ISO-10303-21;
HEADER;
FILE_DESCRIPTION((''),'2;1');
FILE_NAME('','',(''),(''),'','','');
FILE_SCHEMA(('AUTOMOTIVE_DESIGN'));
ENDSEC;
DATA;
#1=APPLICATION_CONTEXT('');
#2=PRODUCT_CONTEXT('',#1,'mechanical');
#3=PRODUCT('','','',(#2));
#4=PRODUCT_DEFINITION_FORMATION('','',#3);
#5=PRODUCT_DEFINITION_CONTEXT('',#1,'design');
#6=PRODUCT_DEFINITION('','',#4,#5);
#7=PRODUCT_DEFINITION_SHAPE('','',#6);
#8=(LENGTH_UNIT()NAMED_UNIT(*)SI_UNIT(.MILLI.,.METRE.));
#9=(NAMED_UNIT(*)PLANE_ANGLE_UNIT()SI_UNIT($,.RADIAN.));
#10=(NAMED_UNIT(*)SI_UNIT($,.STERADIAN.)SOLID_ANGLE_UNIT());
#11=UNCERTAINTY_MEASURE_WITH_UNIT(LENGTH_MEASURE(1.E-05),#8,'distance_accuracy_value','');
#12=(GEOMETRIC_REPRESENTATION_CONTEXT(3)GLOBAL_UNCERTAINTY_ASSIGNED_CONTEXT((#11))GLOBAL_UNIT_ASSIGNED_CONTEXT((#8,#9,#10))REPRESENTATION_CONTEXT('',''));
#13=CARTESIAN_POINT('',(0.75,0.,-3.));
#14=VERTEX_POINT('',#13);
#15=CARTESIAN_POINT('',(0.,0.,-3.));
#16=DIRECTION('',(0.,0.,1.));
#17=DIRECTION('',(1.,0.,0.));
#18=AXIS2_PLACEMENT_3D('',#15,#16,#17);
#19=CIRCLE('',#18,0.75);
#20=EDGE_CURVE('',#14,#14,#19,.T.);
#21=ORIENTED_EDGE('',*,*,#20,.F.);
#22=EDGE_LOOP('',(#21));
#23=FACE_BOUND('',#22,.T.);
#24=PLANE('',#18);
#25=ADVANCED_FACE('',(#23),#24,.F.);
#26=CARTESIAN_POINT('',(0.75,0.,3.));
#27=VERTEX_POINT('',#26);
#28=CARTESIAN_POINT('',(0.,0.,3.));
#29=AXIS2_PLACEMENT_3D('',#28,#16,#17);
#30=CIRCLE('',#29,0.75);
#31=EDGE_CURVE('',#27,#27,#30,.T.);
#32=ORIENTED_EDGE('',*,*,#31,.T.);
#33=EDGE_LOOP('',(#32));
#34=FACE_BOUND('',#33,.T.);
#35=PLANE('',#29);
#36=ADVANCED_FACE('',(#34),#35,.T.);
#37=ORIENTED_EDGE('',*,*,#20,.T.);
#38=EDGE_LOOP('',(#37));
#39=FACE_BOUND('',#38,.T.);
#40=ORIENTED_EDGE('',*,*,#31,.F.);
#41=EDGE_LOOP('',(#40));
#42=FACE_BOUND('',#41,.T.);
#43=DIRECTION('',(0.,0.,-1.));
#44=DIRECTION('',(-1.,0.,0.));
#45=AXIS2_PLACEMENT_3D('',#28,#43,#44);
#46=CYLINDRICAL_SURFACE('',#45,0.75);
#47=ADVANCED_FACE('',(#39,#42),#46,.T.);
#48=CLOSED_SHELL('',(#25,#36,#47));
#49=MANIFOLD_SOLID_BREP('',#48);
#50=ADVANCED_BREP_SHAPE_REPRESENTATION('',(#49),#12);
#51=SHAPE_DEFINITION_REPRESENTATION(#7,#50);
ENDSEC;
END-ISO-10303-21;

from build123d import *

# Parameters (mm, degrees)
SKETCH_1_R      = 0.75
EXTRUDE_1_DEPTH = 3


with BuildPart() as part:
    # 草圖1 → 填料-伸長1 (new body, symmetric)
    with BuildSketch(Plane.XY):
        Circle(SKETCH_1_R)
    extrude(amount=EXTRUDE_1_DEPTH, both=True)


solid = part.part
